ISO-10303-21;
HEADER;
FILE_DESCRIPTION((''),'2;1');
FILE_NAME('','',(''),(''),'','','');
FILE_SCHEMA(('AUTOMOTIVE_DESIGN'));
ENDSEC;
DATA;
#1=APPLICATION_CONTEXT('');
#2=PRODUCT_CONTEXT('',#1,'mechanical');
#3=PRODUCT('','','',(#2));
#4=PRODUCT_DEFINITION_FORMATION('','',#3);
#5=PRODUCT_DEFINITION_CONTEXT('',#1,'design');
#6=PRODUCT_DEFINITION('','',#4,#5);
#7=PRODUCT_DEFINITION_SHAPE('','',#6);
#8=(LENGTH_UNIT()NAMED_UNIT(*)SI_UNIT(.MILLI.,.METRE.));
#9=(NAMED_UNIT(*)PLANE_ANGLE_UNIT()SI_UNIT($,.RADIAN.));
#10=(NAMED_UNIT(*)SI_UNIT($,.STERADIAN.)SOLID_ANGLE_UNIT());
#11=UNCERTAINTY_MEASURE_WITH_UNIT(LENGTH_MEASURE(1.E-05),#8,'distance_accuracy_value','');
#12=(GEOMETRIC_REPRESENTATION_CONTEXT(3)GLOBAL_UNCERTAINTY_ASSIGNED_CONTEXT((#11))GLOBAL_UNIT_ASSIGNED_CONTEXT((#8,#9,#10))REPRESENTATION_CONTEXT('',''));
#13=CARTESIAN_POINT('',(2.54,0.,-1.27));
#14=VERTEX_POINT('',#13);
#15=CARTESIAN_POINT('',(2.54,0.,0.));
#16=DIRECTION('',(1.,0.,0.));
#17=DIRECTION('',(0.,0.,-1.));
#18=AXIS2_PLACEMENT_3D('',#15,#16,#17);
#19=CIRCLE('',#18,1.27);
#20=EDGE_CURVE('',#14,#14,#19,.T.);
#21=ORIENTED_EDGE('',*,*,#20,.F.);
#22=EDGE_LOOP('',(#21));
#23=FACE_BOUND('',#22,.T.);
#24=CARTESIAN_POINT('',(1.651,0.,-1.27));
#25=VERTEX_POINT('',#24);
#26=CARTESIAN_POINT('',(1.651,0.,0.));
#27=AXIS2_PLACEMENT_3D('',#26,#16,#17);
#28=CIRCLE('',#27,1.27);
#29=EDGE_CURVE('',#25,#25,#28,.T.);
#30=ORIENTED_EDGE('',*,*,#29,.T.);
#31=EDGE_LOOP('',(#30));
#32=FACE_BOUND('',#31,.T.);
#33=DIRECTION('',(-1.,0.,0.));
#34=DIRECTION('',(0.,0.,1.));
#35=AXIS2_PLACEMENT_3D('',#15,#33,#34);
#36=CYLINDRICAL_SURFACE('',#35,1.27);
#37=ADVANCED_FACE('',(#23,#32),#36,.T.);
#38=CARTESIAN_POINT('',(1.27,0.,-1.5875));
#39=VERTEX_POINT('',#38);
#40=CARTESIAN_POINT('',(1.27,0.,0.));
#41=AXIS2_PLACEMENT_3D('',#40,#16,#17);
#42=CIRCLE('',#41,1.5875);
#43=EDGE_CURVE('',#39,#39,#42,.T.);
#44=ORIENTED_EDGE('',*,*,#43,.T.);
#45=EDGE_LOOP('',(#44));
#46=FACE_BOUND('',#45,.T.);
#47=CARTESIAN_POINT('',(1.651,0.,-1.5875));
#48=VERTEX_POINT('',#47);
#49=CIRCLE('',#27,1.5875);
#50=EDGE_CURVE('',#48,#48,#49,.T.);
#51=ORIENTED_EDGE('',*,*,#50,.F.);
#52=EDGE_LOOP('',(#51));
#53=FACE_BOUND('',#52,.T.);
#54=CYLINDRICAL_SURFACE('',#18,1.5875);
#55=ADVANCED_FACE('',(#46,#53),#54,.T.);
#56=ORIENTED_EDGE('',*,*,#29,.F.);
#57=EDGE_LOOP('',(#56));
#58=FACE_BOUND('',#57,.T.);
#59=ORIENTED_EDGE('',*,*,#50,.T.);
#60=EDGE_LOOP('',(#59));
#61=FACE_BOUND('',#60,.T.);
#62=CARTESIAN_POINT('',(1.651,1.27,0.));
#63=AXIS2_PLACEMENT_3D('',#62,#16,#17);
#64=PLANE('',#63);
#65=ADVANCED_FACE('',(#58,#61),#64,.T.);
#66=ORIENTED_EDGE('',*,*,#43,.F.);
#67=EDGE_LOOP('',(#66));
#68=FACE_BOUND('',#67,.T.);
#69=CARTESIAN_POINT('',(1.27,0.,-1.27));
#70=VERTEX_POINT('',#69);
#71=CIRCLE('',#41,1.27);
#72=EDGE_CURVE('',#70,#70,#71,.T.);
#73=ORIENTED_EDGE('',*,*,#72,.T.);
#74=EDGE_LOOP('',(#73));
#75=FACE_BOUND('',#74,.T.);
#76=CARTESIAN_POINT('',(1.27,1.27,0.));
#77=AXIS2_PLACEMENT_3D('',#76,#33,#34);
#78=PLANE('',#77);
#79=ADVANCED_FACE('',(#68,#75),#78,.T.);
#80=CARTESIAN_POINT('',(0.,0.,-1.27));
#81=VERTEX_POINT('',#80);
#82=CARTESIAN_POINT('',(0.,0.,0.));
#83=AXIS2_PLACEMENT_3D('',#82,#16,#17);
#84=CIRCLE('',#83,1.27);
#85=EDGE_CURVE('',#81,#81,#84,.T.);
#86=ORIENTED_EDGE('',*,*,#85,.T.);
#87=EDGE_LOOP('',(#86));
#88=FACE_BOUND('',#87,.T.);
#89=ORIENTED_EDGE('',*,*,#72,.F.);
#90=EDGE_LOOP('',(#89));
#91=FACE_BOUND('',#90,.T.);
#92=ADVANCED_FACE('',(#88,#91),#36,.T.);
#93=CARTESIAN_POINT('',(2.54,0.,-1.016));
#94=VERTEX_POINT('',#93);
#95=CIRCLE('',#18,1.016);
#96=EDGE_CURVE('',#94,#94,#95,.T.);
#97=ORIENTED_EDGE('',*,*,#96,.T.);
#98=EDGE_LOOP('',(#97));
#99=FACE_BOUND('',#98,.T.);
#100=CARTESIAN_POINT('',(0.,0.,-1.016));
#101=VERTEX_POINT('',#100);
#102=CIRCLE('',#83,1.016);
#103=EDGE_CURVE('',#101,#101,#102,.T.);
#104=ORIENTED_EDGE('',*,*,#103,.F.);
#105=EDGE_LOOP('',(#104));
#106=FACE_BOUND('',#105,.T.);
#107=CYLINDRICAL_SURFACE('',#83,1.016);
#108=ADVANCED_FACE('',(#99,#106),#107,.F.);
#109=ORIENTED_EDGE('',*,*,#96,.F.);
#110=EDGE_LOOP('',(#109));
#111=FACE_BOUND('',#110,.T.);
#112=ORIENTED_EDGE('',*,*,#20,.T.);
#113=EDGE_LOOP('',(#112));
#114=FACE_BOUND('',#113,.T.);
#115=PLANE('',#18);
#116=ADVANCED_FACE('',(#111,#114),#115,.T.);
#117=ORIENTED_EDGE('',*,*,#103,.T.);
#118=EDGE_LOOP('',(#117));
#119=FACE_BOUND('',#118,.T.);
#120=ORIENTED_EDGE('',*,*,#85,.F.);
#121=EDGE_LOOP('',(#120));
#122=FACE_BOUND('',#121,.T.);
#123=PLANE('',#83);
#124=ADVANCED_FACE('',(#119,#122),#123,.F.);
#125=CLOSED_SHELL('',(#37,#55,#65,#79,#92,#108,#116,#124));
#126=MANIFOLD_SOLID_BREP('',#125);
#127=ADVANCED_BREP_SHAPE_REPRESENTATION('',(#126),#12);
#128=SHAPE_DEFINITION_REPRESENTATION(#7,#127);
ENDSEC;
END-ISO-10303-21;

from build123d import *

# Parameters (mm, degrees)
SKETCH1_R           = 1.27
BOSS_EXTRUDE1_DEPTH = 2.54
SKETCH2_W           = 0.381
SKETCH2_H           = 0.3175
SKETCH3_R           = 1.016
CUT_EXTRUDE1_DEPTH  = 4.389972345


with BuildPart() as part:
    # Sketch1 → Boss-Extrude1 (new body)
    with BuildSketch(Plane(origin=(0, 0, 0), x_dir=(0, 0, -1), z_dir=(1, 0, 0))):
        Circle(SKETCH1_R)
    extrude(amount=BOSS_EXTRUDE1_DEPTH)

    # Sketch2 → Revolve1 (revolve)
    with BuildSketch(Plane.XY, mode=Mode.PRIVATE) as revolve1_sk:
        with Locations((1.4605, 1.42875)):
            Rectangle(SKETCH2_W, SKETCH2_H)
    revolve(revolve1_sk.sketch.rotate(Axis((2.54, 0, 0), (-1, 0, 0)), 90), axis=Axis((2.54, 0, 0), (-1, 0, 0)))

    # Sketch3 → Cut-Extrude1 (cut, through all)
    with BuildSketch(Plane(origin=(2.54, 0, 0), x_dir=(0, 0, -1), z_dir=(1, 0, 0))):
        Circle(SKETCH3_R)
    extrude(amount=-CUT_EXTRUDE1_DEPTH, mode=Mode.SUBTRACT)


solid = part.part
